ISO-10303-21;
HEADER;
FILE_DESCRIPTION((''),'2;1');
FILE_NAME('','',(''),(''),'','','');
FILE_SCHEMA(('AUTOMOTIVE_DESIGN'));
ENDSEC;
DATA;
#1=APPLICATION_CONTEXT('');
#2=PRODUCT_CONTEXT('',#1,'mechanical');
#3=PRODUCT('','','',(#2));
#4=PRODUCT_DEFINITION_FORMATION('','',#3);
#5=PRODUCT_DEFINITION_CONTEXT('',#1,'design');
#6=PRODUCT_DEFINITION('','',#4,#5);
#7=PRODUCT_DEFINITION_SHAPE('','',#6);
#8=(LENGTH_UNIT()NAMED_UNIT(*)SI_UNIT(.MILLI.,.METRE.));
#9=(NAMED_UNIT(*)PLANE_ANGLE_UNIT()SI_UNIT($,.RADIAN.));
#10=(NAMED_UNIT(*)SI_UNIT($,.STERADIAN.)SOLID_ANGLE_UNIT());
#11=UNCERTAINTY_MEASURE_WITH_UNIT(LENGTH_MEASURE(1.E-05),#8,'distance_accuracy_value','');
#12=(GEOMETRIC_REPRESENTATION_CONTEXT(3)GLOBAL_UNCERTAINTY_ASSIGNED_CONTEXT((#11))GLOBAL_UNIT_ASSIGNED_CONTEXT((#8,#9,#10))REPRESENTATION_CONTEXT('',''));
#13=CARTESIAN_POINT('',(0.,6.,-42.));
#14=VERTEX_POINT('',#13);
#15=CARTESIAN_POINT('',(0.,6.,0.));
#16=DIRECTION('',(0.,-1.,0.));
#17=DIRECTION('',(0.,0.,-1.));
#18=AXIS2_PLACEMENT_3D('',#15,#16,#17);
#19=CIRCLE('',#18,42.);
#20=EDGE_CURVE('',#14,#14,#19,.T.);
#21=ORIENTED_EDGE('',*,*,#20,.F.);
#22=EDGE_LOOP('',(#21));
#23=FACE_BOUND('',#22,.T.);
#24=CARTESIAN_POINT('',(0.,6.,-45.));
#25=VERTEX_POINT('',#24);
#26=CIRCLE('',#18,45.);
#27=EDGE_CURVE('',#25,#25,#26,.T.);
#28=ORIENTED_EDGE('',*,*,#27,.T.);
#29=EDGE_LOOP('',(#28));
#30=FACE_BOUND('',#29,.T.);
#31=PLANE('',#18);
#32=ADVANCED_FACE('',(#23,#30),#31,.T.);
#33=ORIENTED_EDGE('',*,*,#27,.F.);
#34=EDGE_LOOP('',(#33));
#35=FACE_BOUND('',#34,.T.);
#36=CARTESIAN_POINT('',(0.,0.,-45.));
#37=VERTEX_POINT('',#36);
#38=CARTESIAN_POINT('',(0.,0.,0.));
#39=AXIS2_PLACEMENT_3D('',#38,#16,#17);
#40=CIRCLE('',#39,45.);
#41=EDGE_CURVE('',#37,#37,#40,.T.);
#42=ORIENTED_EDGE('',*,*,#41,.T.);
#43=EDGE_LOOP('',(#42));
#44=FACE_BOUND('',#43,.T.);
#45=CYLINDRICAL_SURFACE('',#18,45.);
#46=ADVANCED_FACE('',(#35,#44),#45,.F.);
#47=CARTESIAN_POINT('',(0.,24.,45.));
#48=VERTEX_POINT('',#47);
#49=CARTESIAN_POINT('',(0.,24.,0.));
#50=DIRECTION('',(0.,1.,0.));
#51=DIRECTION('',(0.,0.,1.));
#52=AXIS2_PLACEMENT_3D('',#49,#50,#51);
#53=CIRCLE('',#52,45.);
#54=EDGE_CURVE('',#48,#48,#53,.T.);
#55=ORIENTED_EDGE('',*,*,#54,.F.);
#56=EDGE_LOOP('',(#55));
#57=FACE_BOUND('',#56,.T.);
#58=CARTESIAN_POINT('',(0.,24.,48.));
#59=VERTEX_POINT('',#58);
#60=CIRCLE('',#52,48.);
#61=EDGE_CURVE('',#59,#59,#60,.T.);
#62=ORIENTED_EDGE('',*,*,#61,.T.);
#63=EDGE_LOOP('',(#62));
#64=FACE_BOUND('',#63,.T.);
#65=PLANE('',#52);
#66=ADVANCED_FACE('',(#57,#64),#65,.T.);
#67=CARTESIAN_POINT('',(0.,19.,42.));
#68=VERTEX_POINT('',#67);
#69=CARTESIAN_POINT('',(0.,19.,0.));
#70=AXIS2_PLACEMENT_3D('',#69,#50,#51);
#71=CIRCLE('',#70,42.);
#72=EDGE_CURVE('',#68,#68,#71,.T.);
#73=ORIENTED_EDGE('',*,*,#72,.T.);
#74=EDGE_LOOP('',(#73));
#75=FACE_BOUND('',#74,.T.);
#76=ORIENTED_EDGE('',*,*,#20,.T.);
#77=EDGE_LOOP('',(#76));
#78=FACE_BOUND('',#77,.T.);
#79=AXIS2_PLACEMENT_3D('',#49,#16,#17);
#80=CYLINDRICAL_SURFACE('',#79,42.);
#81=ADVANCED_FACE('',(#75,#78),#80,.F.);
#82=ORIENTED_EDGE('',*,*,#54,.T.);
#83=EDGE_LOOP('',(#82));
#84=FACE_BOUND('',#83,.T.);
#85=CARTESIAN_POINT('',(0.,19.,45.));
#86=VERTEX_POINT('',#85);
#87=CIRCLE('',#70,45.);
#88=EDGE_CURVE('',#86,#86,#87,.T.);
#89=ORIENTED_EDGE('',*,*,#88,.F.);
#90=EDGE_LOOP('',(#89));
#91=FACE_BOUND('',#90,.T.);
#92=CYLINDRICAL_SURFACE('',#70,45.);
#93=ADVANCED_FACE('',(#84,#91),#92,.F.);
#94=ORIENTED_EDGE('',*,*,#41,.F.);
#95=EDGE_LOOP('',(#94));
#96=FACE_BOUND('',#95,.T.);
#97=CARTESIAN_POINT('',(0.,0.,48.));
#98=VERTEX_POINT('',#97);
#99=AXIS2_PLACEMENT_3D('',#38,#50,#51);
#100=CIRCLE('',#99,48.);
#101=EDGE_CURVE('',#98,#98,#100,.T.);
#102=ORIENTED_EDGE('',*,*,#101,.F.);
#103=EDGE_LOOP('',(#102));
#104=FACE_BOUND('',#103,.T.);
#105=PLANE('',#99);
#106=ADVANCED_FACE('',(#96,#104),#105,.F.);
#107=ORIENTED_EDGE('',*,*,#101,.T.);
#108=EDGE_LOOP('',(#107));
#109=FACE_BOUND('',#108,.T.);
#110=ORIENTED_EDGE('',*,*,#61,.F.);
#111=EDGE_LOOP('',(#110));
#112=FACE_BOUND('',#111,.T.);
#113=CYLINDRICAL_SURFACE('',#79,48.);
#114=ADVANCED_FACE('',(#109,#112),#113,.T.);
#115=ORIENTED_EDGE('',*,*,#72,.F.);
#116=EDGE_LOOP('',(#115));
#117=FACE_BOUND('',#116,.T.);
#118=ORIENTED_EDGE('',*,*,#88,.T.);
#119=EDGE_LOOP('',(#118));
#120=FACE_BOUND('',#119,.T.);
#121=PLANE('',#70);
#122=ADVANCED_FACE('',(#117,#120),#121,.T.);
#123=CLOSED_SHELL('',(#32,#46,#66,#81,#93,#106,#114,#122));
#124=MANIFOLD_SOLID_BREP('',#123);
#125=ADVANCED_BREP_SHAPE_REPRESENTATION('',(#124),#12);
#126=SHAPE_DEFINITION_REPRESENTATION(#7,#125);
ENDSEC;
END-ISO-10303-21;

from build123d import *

# Parameters (mm, degrees)
SKIZZE1_R                       = 48
SKIZZE1_R_2                     = 42
AUFSATZ_LINEAR_AUSTRAGEN2_DEPTH = 24
SKIZZE2_R                       = 45
SCHNITT_LINEAR_AUSTRAGEN1_DEPTH = 5
SCHNITT_LINEAR_START            = -6
SKIZZE4_R                       = 45
SCHNITT_LINEAR_AUSTRAGEN2_DEPTH = 6


with BuildPart() as part:
    # Skizze1 → Aufsatz-Linear austragen2 (new body)
    with BuildSketch(Plane(origin=(0, 0, 0), x_dir=(1, 0, 0), z_dir=(0, 1, 0))):
        with Locations(Location((0, 0, 0), (0, 0, 270))):
            Circle(SKIZZE1_R)
        with Locations(Location((0, 0, 0), (0, 0, 270))):
            Circle(SKIZZE1_R_2, mode=Mode.SUBTRACT)
    extrude(amount=AUFSATZ_LINEAR_AUSTRAGEN2_DEPTH)

    # Skizze2 → Schnitt-Linear austragen1 (cut)
    with BuildSketch(Plane(origin=(0, 24, 0), x_dir=(1, 0, 0), z_dir=(0, 1, 0))):
        with Locations(Location((0, 0, 0), (0, 0, 270))):
            Circle(SKIZZE2_R)
    extrude(amount=-SCHNITT_LINEAR_AUSTRAGEN1_DEPTH, mode=Mode.SUBTRACT)

    # Skizze4 → Schnitt-Linear austragen2 (cut)
    with BuildSketch(Plane.XZ.offset(SCHNITT_LINEAR_START)):
        with Locations(Location((0, 0, 0), (0, 0, 90))):
            Circle(SKIZZE4_R)
    extrude(amount=SCHNITT_LINEAR_AUSTRAGEN2_DEPTH, mode=Mode.SUBTRACT)


solid = part.part
